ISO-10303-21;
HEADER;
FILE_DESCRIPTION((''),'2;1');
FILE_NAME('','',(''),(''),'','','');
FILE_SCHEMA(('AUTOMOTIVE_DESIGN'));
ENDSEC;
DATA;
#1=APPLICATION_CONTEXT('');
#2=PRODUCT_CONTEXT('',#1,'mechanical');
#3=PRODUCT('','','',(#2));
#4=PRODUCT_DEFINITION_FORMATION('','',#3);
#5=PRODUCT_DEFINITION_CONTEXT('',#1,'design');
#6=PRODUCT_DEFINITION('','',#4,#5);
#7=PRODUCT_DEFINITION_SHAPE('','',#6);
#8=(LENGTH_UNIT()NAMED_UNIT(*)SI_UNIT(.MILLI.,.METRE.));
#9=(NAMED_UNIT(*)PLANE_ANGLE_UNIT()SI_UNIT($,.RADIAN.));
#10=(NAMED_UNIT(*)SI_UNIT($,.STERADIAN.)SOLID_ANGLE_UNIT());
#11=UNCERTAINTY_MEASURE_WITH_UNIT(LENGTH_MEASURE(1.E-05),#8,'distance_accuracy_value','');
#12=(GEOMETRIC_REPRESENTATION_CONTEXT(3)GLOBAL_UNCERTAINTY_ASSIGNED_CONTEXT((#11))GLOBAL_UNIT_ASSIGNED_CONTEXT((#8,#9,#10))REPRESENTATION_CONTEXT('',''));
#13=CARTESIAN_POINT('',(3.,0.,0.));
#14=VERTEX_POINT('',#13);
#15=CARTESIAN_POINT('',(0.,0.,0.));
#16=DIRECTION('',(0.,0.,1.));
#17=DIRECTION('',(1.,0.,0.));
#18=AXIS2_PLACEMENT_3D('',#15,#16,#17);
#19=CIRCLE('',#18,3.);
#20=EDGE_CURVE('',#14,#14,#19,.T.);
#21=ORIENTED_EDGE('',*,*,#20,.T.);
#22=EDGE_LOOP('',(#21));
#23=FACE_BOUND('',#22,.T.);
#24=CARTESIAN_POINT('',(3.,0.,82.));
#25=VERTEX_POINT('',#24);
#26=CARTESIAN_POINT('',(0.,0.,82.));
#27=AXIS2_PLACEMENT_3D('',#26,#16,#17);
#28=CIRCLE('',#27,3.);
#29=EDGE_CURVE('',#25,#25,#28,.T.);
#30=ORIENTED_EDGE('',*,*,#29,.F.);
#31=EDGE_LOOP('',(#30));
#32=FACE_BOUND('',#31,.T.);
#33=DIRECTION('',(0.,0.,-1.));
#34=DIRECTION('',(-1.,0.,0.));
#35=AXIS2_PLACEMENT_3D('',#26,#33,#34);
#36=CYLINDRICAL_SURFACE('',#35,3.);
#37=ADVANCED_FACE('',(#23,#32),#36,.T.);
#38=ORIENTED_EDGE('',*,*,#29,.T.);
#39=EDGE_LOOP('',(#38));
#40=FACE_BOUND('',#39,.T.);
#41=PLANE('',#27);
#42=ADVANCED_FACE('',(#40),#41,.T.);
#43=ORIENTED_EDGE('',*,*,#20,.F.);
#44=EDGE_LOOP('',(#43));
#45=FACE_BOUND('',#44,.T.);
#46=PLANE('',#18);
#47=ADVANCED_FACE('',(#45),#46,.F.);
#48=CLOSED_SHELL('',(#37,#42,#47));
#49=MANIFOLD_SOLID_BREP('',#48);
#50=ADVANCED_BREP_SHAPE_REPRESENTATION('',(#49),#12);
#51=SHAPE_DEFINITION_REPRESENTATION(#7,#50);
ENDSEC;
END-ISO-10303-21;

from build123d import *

# Parameters (mm, degrees)
SKETCH1_R           = 3
BOSS_EXTRUDE1_DEPTH = 82


with BuildPart() as part:
    # Sketch1 → Boss-Extrude1 (new body)
    with BuildSketch(Plane.XY):
        Circle(SKETCH1_R)
    extrude(amount=BOSS_EXTRUDE1_DEPTH)


solid = part.part
